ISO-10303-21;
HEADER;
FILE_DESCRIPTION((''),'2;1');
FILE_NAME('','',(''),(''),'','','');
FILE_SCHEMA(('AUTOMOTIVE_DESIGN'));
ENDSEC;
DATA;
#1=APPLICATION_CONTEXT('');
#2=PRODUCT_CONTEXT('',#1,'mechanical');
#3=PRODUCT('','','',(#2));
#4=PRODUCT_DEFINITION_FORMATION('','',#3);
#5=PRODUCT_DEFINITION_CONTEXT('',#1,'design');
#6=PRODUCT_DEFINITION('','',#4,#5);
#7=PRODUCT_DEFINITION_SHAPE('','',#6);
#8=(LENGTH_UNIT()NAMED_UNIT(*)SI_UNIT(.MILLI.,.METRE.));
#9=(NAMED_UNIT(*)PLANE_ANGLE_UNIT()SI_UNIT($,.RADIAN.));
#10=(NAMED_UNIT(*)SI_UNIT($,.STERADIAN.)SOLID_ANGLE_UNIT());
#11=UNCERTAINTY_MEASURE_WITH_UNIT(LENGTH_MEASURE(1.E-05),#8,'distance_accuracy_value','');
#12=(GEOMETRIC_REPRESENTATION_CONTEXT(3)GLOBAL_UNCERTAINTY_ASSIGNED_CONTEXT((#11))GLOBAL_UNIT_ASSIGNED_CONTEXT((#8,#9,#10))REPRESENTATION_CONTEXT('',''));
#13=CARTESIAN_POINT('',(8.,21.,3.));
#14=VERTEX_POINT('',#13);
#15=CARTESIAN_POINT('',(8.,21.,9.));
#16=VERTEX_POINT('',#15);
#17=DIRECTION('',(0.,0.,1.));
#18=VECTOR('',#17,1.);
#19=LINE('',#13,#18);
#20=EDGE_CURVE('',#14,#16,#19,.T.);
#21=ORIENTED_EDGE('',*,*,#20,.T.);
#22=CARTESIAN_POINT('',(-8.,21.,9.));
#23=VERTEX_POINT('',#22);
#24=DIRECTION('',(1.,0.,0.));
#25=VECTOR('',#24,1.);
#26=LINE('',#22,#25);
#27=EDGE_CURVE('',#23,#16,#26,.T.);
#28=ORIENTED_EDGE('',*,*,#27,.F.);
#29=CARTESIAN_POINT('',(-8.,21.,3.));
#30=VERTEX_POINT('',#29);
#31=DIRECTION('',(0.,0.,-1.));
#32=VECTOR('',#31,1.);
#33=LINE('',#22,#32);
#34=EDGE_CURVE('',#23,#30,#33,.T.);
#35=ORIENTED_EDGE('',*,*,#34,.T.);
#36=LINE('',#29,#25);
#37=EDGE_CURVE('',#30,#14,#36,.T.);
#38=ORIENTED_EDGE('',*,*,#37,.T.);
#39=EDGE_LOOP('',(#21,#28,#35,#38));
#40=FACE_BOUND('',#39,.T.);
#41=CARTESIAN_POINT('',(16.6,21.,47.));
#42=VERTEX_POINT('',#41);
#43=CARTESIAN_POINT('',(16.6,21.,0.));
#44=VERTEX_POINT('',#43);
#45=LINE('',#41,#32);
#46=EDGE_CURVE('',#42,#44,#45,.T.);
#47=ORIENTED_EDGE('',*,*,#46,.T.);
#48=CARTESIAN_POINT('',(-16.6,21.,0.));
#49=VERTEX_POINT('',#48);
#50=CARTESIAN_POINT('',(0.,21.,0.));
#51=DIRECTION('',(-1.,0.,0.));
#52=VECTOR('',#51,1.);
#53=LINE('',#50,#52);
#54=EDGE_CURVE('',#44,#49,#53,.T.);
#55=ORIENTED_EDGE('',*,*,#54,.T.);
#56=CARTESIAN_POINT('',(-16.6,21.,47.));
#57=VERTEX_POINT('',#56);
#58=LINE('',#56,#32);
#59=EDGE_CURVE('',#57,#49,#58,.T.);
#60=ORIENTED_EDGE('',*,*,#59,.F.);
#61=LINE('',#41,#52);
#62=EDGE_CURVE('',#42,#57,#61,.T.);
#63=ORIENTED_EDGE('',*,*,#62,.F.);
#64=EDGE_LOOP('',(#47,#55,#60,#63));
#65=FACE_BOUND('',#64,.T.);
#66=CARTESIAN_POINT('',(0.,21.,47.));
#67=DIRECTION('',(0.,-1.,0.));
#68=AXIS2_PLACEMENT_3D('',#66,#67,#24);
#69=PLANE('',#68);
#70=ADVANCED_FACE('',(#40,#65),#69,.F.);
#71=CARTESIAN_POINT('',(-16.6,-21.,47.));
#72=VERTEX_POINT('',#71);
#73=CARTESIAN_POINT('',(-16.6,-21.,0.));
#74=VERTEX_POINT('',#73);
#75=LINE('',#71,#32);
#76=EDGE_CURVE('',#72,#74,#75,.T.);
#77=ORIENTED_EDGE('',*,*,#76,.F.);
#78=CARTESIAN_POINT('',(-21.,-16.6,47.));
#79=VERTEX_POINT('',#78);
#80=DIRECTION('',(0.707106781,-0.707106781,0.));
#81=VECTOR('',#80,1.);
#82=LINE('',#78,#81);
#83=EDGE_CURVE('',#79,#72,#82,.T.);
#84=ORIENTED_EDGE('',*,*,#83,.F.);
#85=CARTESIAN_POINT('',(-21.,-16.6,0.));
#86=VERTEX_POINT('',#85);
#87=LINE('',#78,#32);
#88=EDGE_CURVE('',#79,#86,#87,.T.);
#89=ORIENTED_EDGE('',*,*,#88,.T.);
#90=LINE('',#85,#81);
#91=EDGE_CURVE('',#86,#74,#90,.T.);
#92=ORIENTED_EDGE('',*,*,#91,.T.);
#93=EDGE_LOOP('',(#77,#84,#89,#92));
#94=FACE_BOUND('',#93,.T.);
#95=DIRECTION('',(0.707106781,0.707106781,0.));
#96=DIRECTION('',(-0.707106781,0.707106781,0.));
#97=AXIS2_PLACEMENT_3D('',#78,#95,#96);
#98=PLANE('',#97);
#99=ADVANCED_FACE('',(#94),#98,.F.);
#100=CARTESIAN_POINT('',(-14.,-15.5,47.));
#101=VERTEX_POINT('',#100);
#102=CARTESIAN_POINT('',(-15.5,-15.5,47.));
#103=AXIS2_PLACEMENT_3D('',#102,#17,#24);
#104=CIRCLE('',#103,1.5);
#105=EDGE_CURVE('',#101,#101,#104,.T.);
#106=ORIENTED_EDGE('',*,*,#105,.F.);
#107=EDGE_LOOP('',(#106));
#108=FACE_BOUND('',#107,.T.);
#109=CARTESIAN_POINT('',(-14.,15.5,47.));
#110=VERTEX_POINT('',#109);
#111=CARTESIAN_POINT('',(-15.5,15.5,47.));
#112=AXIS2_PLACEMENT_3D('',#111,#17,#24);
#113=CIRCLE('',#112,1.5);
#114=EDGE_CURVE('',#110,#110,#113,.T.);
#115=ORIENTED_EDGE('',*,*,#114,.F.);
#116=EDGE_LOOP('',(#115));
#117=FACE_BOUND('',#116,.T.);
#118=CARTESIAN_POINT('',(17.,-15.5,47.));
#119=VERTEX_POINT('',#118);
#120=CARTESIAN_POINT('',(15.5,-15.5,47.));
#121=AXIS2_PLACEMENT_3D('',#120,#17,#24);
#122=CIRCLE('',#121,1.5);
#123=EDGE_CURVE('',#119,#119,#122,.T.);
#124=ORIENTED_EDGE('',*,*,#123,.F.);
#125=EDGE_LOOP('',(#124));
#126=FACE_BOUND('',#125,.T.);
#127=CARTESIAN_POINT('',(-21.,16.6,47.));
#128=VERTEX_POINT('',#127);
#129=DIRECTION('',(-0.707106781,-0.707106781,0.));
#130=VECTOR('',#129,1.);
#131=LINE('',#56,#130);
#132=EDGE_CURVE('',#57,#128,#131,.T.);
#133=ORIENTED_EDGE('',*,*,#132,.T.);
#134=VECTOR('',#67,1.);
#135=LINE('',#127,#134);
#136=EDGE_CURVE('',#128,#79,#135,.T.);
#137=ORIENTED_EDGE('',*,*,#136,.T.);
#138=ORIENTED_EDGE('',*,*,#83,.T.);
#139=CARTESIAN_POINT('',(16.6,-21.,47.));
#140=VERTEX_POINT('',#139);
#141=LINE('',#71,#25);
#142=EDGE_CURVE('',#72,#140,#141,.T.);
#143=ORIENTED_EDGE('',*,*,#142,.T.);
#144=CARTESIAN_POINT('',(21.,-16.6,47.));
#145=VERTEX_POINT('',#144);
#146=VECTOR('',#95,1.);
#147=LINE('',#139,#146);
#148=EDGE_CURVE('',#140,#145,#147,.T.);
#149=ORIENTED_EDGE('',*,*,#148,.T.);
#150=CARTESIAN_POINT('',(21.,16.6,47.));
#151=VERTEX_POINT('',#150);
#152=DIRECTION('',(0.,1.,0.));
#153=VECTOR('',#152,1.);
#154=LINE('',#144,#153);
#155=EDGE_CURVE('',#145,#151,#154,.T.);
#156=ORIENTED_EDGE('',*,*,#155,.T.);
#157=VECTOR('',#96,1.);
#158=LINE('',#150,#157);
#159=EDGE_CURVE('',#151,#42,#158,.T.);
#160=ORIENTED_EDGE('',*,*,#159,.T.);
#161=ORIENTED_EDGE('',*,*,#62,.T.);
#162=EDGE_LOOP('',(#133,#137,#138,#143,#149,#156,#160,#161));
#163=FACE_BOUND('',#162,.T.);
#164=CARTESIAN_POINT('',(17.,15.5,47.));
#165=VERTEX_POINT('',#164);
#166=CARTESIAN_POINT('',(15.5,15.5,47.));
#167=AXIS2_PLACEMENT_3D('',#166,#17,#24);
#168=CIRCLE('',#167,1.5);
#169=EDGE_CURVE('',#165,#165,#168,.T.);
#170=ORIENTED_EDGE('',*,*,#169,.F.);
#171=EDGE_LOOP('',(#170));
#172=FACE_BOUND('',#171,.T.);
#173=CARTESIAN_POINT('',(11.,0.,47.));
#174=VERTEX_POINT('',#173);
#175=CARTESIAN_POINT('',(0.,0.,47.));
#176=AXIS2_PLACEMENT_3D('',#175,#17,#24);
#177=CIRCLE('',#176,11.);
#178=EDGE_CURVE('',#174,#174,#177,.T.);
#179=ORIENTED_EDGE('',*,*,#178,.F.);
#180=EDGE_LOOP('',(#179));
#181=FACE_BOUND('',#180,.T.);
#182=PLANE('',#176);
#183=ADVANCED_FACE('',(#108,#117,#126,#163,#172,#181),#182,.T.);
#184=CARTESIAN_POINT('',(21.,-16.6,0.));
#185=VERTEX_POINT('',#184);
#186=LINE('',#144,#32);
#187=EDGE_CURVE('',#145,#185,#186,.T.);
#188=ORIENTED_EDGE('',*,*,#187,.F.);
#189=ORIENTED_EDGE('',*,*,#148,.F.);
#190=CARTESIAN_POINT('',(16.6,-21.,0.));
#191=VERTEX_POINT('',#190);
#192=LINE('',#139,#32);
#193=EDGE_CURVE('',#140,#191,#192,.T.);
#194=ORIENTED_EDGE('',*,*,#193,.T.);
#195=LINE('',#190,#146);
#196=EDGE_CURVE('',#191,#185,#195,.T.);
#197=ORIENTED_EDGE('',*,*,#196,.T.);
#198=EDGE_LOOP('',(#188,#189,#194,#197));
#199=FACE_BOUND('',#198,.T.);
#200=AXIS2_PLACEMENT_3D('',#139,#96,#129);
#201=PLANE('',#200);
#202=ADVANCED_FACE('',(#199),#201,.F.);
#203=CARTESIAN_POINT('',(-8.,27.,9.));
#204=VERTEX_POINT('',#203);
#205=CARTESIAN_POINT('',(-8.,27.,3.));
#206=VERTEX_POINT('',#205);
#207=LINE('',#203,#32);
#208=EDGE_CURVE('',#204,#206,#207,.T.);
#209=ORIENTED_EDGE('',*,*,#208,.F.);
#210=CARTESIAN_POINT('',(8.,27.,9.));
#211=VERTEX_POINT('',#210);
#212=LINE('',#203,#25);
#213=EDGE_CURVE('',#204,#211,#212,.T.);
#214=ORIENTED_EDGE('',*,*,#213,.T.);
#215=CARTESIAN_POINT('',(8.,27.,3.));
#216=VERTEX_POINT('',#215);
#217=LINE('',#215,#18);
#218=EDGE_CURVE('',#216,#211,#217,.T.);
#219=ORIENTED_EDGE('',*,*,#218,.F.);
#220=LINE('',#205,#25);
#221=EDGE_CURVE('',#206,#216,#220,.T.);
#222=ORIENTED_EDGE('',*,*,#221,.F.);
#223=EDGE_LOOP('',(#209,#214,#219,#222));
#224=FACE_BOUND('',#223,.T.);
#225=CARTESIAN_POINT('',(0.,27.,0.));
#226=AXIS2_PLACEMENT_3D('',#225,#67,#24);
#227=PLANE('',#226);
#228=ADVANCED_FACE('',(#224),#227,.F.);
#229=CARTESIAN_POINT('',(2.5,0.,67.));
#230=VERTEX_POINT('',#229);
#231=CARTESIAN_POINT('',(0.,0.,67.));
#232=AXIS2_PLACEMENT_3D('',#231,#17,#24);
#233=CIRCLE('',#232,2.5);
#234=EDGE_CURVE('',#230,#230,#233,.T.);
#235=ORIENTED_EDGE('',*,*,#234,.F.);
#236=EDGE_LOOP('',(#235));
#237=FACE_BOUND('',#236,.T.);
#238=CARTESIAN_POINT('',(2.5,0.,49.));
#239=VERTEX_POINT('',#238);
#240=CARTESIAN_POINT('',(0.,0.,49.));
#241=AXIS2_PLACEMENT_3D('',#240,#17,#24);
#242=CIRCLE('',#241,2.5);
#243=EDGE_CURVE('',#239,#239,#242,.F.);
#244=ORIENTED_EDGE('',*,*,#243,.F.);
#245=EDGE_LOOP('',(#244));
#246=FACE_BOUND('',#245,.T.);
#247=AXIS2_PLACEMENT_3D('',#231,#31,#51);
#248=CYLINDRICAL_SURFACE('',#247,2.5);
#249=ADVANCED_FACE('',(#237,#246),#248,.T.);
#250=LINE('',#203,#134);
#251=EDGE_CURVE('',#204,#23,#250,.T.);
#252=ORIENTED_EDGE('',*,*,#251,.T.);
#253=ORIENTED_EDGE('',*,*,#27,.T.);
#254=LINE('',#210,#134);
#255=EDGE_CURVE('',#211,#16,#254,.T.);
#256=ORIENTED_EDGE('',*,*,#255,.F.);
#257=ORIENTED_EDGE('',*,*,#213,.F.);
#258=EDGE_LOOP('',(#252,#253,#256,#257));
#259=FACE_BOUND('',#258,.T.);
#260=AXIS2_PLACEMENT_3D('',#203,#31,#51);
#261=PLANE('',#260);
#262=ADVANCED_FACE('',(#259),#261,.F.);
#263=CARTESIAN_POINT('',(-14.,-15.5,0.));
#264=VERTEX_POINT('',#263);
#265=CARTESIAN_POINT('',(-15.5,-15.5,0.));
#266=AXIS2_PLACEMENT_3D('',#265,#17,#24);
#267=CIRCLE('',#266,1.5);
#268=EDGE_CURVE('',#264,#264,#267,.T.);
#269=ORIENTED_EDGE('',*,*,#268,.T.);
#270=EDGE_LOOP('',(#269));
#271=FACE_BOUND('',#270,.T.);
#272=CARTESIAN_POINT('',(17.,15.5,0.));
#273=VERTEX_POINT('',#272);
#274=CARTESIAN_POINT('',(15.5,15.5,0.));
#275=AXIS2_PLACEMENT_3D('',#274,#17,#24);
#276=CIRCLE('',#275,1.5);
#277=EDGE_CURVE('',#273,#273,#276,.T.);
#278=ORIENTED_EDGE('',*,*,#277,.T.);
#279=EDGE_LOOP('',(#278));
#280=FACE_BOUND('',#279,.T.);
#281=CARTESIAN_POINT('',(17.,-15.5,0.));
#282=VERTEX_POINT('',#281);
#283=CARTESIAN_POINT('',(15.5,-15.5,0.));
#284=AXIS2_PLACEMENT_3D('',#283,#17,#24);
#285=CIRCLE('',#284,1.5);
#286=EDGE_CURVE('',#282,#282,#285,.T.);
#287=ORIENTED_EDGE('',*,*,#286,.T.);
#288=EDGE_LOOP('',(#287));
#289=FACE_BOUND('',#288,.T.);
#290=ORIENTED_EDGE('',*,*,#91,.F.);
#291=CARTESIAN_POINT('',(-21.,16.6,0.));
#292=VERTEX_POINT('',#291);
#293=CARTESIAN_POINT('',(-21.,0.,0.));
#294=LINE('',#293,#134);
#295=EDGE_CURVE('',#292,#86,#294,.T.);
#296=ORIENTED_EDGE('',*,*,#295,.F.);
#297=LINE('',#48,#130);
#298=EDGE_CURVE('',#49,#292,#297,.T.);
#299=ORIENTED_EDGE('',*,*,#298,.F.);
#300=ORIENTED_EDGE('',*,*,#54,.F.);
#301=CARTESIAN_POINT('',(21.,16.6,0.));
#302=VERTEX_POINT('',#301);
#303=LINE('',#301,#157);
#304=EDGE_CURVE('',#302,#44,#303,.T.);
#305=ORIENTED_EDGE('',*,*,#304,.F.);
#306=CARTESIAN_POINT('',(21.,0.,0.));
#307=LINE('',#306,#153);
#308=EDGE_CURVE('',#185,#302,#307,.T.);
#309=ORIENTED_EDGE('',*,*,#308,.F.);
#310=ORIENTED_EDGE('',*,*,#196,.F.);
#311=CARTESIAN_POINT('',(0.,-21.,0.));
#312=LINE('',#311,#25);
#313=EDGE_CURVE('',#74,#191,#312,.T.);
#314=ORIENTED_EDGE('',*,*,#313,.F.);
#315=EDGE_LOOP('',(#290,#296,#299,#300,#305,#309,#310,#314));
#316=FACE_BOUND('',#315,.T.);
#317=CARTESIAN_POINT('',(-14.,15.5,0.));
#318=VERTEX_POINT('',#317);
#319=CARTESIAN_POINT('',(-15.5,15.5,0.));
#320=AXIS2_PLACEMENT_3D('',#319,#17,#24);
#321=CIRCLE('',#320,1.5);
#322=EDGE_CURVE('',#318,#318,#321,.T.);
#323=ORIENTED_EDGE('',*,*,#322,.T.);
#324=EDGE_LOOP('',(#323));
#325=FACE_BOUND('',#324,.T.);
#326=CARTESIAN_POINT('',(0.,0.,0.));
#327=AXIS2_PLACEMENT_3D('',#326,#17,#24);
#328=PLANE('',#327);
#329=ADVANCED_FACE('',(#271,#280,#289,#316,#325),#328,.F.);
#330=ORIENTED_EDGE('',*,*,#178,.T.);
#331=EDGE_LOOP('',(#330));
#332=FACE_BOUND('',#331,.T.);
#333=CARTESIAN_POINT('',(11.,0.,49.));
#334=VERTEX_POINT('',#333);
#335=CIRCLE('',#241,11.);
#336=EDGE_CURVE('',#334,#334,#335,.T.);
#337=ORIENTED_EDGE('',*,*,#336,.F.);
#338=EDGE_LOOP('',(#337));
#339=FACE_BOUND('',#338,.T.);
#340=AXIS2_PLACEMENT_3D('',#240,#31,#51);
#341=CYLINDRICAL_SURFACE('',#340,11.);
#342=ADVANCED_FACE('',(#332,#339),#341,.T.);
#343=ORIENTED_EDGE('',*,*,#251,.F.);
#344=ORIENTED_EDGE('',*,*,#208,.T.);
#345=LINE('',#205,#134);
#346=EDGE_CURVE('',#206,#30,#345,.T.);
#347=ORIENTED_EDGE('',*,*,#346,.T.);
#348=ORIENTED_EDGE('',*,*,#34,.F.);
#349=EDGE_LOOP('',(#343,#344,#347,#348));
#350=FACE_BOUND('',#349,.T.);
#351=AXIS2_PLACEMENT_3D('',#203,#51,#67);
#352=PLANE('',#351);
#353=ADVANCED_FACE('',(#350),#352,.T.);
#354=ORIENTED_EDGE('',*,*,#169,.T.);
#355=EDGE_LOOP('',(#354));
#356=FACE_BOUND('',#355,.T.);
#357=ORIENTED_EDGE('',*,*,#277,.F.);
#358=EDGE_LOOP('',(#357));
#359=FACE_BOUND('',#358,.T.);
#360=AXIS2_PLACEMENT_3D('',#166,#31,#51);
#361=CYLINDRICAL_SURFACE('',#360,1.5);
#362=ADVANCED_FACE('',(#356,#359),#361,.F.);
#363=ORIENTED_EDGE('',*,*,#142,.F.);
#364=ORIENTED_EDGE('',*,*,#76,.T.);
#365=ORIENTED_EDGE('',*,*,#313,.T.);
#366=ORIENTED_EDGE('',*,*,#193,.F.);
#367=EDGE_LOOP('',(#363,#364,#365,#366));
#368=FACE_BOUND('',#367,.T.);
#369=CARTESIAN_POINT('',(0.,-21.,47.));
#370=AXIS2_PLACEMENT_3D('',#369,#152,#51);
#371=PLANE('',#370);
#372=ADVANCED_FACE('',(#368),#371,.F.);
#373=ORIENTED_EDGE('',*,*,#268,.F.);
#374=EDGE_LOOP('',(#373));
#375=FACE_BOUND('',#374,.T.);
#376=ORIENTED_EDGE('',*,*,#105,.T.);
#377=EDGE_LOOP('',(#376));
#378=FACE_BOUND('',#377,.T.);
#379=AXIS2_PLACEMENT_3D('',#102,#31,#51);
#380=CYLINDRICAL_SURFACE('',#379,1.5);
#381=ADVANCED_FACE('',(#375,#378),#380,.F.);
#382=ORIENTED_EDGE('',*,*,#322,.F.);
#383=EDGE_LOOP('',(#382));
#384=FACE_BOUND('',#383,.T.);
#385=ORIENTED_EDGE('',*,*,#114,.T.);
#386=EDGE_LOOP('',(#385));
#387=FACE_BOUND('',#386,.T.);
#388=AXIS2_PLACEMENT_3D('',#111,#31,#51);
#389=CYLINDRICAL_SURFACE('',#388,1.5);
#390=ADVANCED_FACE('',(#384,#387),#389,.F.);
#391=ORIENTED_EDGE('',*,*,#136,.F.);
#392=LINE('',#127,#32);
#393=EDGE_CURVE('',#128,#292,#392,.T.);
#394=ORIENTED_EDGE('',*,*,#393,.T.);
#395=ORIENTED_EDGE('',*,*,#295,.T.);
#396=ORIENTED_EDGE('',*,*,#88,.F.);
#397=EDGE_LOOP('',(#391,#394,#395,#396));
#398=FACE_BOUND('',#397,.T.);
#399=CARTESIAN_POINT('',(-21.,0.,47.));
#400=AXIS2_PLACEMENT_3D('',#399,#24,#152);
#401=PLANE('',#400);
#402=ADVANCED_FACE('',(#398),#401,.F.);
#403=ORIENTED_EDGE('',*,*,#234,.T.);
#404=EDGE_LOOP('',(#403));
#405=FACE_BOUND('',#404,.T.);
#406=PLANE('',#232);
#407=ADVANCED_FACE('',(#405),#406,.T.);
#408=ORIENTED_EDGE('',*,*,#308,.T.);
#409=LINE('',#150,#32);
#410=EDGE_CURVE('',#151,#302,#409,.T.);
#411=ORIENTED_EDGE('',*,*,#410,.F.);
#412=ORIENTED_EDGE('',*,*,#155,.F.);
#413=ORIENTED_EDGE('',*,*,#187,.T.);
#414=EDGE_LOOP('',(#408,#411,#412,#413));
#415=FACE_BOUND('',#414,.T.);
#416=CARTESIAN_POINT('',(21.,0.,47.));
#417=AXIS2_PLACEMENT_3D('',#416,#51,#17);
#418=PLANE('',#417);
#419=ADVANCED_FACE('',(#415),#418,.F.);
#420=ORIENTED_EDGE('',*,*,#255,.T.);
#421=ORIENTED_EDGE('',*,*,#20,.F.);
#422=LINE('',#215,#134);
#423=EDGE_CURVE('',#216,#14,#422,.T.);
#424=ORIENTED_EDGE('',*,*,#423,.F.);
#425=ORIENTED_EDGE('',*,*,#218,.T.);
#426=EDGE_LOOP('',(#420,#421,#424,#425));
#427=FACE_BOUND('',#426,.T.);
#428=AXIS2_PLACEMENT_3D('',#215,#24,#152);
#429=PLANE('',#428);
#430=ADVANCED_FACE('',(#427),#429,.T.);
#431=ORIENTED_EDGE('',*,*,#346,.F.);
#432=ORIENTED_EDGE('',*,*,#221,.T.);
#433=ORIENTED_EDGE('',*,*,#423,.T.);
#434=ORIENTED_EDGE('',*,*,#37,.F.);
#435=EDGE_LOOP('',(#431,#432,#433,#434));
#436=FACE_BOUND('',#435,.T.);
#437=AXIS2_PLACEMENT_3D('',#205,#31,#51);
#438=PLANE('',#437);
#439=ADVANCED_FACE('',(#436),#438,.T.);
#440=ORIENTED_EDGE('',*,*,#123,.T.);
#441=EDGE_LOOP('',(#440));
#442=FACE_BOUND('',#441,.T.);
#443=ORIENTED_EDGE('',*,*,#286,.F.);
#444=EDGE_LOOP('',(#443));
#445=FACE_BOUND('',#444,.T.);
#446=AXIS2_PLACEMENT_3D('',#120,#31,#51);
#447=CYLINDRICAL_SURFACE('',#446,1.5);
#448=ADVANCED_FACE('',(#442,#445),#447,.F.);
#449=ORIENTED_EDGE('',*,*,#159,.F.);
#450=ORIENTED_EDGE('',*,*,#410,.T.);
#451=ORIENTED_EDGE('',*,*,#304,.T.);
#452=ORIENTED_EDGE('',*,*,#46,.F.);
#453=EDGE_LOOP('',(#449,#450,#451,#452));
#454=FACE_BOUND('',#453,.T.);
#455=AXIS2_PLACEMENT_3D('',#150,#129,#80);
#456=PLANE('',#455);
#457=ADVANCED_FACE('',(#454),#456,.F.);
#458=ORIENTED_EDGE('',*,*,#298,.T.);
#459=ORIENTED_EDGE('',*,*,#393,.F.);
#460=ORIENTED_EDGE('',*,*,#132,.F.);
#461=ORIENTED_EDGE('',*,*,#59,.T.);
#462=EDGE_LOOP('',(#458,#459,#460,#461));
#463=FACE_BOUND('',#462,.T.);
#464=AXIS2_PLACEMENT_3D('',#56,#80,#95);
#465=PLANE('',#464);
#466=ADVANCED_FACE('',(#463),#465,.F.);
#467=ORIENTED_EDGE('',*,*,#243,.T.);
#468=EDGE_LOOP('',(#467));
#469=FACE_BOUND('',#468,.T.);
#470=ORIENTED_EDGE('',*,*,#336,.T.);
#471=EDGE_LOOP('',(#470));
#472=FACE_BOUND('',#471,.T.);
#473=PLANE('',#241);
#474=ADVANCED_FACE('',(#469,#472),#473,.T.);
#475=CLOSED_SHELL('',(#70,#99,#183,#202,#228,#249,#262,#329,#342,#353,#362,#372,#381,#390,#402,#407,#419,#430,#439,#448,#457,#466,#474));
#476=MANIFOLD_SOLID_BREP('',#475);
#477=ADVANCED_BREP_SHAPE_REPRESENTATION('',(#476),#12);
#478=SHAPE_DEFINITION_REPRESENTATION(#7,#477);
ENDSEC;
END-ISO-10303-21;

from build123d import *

# Parameters (mm, degrees)
SKETCH_1_R      = 1.5
EXTRUDE_1_DEPTH = 47
SKETCH_2_R      = 11
EXTRUDE_2_DEPTH = 2
SKETCH_3_R      = 2.5
EXTRUDE_3_DEPTH = 20
SKETCH_4_W      = 16
SKETCH_4_H      = 6
EXTRUDE_4_DEPTH = 6


with BuildPart() as part:
    # 草图1 → 凸台-拉伸1 (new body)
    with BuildSketch(Plane.XY):
        Polygon((21, 0), (21, 16.6), (16.6, 21), (0, 21), (-16.6, 21), (-21, 16.6), (-21, 0), (-21, -16.6), (-16.6, -21), (0, -21), (16.6, -21), (21, -16.6), align=None)
        with Locations((15.5, 15.5)):
            Circle(SKETCH_1_R, mode=Mode.SUBTRACT)
        with Locations((15.5, -15.5)):
            Circle(SKETCH_1_R, mode=Mode.SUBTRACT)
        with Locations((-15.5, -15.5)):
            Circle(SKETCH_1_R, mode=Mode.SUBTRACT)
        with Locations((-15.5, 15.5)):
            Circle(SKETCH_1_R, mode=Mode.SUBTRACT)
    extrude(amount=EXTRUDE_1_DEPTH)

    # 草图2 → 凸台-拉伸2 (add)
    with BuildSketch(Plane.XY.offset(47)):
        Circle(SKETCH_2_R)
    extrude(amount=EXTRUDE_2_DEPTH)

    # 草图3 → 凸台-拉伸3 (add)
    with BuildSketch(Plane.XY.offset(47)):
        Circle(SKETCH_3_R)
    extrude(amount=EXTRUDE_3_DEPTH)

    # 草图4 → 凸台-拉伸4 (add)
    with BuildSketch(Plane(origin=(0, 21, 0), x_dir=(1, 0, 0), z_dir=(0, 1, 0))):
        with Locations((0, -6)):
            Rectangle(SKETCH_4_W, SKETCH_4_H)
    extrude(amount=EXTRUDE_4_DEPTH)


solid = part.part
